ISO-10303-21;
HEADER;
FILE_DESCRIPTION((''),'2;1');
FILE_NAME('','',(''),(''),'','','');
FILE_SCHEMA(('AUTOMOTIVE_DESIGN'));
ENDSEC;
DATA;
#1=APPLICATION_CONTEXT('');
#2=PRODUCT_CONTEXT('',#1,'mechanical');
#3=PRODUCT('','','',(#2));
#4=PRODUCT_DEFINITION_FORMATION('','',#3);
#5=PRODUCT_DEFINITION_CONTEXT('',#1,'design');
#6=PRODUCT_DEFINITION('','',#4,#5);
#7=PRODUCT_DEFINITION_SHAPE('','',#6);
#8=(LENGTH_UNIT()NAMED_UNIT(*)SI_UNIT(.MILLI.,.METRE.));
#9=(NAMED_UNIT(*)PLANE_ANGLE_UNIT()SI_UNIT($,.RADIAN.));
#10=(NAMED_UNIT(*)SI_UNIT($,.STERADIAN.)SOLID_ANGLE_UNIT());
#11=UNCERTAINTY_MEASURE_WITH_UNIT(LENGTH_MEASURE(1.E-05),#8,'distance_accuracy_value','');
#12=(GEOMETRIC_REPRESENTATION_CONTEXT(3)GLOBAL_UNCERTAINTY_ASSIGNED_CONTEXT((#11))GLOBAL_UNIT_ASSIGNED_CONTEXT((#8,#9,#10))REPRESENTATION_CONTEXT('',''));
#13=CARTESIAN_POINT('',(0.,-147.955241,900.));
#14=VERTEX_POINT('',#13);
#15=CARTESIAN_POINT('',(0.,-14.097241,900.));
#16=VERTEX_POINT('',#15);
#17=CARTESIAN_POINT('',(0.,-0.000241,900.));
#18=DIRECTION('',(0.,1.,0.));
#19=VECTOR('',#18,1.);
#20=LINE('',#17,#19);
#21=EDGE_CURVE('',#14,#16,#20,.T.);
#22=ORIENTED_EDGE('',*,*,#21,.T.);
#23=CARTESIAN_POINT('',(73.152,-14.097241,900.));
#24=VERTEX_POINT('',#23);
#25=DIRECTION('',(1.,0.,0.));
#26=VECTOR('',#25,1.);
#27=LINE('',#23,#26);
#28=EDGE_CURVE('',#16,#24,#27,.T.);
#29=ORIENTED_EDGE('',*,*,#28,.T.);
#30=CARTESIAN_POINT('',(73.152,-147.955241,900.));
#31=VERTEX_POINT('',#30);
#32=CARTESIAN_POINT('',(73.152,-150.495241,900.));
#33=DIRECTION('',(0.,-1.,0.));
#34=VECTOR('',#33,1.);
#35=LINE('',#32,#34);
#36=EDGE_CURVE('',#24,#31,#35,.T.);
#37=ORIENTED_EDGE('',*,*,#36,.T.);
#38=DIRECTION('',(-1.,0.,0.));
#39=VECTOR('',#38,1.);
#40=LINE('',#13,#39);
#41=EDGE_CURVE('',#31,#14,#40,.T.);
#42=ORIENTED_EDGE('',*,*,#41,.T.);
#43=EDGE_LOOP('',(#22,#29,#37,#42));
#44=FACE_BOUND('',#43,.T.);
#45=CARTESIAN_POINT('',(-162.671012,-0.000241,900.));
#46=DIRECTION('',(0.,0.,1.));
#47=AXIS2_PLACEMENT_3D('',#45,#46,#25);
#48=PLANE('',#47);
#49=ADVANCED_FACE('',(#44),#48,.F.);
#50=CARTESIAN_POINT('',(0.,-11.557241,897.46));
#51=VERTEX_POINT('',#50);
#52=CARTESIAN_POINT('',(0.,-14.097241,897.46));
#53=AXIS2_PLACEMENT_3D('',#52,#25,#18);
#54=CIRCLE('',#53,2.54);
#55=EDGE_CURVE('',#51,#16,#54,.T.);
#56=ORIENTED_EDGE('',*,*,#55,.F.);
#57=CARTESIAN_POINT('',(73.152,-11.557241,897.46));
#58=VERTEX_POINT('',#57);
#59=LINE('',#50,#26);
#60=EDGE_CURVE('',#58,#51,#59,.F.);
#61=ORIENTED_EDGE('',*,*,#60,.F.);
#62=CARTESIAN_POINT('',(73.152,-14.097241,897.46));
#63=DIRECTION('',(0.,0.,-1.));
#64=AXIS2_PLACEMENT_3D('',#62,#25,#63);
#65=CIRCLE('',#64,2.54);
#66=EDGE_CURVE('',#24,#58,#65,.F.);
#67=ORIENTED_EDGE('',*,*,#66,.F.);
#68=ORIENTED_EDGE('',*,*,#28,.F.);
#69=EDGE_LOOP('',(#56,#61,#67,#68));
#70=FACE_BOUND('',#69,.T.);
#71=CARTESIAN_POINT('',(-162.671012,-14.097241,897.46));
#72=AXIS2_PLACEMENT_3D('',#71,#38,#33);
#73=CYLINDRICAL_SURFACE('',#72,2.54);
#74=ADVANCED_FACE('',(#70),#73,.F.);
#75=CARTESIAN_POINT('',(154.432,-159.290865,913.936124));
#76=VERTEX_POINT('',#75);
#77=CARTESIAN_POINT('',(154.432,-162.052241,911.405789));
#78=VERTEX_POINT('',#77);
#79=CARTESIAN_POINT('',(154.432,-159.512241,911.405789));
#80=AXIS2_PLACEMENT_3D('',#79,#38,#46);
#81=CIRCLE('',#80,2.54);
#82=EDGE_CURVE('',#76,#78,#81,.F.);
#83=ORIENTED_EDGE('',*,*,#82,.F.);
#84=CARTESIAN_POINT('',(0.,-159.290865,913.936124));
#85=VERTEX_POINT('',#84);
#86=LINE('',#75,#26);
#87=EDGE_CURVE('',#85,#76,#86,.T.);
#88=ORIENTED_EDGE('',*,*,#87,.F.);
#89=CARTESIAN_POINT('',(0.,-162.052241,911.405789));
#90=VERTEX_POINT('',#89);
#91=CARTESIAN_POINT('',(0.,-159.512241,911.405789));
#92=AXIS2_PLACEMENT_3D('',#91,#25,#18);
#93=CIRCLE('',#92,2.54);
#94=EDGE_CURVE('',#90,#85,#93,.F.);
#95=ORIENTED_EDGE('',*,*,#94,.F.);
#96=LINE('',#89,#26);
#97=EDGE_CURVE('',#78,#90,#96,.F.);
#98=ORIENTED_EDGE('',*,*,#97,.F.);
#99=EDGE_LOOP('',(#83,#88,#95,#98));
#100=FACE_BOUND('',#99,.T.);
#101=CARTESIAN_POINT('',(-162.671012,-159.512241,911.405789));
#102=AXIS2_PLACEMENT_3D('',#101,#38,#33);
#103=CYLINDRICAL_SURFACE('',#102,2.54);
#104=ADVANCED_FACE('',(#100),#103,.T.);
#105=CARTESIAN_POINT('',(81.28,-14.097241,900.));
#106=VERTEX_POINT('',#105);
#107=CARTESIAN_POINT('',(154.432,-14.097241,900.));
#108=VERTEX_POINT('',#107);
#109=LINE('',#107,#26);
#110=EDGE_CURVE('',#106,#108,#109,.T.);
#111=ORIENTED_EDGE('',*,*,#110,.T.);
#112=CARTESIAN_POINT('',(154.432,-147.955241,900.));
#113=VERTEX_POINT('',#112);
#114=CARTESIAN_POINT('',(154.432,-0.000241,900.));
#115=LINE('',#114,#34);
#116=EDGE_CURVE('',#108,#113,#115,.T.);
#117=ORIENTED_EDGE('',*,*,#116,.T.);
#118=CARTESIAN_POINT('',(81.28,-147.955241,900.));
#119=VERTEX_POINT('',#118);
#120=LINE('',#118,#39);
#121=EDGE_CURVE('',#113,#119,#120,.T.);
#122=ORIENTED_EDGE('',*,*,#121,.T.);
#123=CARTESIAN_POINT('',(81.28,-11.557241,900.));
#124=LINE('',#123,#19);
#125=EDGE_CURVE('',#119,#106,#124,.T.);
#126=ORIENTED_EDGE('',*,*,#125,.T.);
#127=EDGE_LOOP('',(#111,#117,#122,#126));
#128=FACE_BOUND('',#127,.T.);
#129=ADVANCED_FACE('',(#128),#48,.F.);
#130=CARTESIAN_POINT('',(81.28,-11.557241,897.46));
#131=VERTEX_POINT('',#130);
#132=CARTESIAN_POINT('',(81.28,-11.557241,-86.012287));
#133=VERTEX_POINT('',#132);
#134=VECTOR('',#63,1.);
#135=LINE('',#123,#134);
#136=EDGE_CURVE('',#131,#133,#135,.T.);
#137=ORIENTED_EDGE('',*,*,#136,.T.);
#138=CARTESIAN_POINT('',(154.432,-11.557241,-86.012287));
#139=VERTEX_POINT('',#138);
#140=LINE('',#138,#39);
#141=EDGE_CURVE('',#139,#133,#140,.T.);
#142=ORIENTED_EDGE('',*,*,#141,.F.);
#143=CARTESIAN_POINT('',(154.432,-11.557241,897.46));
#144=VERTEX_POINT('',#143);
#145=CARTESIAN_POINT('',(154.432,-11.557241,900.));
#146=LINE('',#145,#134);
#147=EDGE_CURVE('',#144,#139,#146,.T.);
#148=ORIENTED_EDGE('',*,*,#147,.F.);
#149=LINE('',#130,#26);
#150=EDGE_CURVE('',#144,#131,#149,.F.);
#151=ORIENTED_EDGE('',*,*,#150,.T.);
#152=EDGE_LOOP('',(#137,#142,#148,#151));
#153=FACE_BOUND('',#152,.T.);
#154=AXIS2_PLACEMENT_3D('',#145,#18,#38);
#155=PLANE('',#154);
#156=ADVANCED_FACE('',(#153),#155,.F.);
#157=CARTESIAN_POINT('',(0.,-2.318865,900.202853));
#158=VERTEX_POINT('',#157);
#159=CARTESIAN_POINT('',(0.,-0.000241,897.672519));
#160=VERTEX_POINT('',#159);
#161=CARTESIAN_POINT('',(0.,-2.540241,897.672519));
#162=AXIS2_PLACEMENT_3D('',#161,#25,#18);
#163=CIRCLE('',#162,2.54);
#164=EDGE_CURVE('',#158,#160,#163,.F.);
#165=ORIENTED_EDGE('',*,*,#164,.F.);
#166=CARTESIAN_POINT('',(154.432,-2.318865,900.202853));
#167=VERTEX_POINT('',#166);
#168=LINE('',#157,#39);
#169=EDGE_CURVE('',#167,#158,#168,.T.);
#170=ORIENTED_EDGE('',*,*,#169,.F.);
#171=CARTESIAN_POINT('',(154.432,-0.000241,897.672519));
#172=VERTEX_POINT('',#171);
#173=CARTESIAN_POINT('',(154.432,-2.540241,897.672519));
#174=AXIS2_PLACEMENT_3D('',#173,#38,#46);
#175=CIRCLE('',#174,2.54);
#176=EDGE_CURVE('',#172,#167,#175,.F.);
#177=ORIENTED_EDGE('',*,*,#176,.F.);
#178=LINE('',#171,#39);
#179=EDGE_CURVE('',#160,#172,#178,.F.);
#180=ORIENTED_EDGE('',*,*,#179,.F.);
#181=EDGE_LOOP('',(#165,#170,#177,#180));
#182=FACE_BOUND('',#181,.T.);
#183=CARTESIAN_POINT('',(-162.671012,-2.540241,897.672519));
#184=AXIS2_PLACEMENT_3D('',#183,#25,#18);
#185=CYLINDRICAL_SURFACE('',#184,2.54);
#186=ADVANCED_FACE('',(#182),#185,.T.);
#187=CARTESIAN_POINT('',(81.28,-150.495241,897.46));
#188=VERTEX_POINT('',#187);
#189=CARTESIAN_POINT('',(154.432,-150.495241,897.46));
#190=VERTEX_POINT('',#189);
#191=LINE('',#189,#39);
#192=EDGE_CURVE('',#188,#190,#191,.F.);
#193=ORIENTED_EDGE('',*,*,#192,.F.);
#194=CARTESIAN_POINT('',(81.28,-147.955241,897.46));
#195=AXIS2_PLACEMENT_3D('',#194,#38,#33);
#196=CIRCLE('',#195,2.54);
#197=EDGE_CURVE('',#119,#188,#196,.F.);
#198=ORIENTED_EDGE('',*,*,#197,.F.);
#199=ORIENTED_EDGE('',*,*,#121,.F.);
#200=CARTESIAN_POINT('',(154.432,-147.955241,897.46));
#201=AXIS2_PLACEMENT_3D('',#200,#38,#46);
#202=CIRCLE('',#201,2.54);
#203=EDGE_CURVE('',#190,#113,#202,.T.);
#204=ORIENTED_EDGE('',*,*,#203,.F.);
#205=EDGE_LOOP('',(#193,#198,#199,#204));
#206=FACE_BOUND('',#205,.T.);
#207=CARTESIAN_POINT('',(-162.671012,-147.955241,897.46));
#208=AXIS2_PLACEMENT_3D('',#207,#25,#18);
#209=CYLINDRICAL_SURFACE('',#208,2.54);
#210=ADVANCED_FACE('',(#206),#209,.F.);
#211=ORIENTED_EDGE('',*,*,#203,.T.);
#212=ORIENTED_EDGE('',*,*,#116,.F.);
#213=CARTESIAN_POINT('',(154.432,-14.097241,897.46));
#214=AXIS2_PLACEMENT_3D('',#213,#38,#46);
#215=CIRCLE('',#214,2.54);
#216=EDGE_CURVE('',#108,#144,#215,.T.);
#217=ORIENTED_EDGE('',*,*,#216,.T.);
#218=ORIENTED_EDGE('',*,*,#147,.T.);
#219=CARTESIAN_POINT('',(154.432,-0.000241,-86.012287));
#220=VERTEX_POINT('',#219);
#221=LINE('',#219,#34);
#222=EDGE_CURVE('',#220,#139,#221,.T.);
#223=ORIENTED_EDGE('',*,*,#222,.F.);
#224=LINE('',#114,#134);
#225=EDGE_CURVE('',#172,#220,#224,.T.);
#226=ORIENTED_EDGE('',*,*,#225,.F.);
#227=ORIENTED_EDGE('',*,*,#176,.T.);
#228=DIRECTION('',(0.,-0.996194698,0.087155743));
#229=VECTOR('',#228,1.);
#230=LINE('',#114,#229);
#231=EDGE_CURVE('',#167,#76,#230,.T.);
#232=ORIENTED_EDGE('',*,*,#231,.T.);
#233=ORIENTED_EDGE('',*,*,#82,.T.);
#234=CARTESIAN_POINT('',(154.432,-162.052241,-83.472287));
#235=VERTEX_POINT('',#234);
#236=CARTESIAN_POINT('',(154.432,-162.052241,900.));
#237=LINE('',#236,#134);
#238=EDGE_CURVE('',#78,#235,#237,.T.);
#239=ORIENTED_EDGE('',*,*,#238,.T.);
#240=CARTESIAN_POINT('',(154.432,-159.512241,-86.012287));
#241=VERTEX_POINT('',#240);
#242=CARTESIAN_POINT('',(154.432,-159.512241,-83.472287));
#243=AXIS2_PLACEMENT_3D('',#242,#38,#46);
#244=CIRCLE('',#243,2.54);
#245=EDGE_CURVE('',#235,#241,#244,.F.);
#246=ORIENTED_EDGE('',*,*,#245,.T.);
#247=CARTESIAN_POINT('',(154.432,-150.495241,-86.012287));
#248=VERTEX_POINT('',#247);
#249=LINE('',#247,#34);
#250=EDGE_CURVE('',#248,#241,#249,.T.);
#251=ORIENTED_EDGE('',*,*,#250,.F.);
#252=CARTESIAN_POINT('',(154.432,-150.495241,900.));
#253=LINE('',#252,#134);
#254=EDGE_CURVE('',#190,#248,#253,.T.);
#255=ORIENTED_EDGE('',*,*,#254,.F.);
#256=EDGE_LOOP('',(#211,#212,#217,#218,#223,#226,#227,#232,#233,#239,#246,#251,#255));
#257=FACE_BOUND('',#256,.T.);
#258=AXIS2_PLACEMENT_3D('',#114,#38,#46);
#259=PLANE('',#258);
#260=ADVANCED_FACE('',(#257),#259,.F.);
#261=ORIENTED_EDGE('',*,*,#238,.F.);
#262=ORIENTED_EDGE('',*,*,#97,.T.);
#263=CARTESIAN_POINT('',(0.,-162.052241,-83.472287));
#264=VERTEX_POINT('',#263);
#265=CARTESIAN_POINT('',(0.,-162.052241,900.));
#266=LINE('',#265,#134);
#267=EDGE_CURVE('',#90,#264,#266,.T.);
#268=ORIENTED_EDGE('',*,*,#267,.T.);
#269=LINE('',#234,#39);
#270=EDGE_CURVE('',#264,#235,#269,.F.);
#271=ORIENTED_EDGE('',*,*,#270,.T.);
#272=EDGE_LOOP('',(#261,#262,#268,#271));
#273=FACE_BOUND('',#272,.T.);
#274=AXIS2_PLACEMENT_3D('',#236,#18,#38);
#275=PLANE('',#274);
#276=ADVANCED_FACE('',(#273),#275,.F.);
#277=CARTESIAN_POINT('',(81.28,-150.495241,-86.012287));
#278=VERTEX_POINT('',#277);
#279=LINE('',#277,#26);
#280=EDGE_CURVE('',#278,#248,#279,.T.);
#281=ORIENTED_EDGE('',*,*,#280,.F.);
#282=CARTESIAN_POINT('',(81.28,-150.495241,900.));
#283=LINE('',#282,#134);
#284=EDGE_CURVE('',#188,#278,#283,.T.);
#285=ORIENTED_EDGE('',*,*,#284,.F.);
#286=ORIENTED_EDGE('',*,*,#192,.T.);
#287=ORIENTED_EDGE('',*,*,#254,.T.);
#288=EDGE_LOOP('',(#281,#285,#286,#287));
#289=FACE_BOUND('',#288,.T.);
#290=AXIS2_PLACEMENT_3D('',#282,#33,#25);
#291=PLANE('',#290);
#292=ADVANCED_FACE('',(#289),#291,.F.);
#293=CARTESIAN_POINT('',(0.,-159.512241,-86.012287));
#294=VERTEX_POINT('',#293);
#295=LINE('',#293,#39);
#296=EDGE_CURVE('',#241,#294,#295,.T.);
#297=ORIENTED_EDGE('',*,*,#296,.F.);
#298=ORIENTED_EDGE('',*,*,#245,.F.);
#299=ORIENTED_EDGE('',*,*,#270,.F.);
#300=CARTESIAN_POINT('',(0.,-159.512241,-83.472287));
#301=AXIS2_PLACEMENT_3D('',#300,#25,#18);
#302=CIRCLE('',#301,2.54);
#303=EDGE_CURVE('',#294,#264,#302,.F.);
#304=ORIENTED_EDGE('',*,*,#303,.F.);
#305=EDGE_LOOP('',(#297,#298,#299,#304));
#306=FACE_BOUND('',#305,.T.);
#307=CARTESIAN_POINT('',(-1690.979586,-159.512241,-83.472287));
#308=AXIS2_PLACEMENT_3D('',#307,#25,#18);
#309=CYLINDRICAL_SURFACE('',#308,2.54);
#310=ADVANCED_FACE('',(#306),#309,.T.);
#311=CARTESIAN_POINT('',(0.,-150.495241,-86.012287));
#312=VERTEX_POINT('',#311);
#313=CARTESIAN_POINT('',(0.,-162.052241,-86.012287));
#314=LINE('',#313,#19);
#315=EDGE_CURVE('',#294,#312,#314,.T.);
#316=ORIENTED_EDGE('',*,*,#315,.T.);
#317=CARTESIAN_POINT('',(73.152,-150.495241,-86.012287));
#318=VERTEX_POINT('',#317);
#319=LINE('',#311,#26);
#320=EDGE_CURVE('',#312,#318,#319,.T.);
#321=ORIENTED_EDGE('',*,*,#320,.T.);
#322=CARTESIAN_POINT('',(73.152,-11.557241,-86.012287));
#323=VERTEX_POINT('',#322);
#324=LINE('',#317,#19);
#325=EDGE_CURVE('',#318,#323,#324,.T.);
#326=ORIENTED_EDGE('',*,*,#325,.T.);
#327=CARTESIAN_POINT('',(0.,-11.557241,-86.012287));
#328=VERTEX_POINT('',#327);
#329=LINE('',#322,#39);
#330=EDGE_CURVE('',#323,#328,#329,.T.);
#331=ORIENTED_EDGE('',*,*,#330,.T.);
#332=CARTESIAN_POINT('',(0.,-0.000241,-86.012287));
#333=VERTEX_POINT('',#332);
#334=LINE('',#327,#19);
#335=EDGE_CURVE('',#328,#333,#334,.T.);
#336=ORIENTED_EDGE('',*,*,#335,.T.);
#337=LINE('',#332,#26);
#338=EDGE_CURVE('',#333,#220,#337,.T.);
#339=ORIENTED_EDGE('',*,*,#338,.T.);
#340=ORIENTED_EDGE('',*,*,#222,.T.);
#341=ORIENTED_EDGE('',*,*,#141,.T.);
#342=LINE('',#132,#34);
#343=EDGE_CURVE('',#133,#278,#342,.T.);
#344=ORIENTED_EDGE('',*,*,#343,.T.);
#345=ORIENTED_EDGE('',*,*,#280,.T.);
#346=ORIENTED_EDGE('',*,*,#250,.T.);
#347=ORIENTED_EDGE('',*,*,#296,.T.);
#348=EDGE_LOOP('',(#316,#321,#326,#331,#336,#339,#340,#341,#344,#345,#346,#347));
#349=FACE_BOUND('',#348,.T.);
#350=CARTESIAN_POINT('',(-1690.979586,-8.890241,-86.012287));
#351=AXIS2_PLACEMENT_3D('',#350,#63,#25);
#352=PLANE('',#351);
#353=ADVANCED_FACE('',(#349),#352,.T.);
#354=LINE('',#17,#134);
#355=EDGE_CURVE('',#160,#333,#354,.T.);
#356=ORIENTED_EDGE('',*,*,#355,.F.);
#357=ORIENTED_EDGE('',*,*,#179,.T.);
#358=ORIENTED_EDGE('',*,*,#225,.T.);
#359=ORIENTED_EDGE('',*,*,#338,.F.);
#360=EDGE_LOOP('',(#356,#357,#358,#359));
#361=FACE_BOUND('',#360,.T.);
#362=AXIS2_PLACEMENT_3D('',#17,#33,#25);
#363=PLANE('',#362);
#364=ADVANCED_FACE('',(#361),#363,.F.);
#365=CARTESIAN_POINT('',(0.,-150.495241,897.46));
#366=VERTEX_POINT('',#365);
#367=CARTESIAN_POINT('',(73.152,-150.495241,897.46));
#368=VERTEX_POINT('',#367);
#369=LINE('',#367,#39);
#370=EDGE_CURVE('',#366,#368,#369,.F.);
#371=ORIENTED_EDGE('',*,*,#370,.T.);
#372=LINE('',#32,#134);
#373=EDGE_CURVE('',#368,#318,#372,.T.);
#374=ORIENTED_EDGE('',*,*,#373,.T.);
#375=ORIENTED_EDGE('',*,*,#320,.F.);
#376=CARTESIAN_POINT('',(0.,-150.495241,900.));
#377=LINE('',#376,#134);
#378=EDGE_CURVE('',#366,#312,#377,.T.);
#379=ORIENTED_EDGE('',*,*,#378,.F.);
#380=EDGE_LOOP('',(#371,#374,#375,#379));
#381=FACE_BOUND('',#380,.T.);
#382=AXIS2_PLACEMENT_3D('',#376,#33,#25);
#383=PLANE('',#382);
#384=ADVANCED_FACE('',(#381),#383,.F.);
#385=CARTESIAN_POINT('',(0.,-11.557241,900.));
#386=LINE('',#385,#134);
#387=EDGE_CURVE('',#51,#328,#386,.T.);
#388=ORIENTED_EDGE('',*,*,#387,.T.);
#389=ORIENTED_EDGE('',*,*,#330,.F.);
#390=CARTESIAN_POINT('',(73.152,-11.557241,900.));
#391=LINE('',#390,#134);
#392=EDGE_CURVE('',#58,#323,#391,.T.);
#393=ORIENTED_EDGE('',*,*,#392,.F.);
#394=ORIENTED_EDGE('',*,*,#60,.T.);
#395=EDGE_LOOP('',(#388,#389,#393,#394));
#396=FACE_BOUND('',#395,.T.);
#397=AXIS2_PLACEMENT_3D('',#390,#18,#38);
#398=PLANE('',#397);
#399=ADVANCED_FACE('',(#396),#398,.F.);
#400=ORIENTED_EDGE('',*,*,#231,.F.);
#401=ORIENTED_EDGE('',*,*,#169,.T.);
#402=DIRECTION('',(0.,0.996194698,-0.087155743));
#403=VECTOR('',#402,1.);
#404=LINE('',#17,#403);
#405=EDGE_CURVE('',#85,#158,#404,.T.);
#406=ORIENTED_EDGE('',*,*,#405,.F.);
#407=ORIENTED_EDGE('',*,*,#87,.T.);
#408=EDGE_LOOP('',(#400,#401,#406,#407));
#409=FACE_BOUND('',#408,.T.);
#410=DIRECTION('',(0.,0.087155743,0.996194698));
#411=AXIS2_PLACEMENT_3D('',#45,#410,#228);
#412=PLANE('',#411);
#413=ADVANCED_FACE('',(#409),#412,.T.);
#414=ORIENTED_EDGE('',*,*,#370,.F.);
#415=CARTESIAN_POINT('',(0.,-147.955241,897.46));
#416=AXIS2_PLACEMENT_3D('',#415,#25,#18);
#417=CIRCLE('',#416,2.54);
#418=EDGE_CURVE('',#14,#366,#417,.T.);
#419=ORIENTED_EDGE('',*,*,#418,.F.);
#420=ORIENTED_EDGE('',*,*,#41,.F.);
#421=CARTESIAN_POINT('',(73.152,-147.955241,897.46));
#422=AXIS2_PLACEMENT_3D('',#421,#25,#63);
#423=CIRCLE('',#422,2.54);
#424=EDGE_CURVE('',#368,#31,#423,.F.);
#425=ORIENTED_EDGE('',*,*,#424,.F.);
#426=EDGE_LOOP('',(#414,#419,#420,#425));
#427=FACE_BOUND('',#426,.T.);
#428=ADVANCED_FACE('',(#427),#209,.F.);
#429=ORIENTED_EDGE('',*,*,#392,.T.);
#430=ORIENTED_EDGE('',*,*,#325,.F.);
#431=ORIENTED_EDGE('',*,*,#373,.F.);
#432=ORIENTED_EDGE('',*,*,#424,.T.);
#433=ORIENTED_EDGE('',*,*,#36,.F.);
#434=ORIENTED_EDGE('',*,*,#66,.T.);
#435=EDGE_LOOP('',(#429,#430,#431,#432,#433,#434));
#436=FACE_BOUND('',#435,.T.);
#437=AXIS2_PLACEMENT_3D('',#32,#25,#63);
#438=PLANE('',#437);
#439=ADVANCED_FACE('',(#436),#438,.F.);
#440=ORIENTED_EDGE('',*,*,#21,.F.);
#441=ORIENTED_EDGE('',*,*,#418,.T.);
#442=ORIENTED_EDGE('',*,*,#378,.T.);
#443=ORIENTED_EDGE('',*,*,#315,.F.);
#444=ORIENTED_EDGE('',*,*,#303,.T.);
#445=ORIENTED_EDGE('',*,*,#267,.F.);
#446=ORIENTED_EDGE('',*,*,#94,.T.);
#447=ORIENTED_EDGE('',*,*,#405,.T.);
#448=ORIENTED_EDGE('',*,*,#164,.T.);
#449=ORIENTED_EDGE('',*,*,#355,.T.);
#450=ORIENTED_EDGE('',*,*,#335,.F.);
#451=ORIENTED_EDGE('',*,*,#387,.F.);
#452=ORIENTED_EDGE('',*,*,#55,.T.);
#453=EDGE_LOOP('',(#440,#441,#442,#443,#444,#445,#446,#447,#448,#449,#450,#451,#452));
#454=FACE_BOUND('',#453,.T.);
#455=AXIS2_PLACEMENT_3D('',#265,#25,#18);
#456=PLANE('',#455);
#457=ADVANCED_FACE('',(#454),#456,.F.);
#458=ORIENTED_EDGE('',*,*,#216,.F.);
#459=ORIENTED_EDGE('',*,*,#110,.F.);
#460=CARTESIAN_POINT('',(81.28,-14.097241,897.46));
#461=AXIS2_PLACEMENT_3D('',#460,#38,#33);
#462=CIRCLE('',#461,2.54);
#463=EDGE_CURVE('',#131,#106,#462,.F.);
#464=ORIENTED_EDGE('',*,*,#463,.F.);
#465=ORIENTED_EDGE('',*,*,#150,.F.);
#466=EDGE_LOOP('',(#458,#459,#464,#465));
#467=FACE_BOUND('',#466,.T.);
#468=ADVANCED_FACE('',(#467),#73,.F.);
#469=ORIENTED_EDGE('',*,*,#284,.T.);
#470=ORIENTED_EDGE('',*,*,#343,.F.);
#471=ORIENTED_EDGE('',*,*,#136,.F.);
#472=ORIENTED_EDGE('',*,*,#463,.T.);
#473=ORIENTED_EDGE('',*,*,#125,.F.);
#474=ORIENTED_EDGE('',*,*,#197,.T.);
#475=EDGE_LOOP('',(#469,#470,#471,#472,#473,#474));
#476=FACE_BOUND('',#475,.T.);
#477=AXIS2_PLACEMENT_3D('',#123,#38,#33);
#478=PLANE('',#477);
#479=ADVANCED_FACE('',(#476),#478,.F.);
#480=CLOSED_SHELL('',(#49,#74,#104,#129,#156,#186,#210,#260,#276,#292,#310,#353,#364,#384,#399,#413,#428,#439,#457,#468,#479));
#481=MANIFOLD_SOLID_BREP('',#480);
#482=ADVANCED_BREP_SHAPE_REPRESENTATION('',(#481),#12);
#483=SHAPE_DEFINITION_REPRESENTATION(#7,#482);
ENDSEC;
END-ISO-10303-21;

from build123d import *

# Parameters (mm, degrees)
BOSS_EXTRUDE1_DEPTH = 900
BOSS_EXTRUDE7_DEPTH = 154.432
BOSS_EXTRUDE9_DEPTH = 86.012287
FILLET1_R           = 2.54
FILLET2_R           = 2.54


with BuildPart() as part:
    # Sketch1 → Boss-Extrude1 (new body)
    with BuildSketch(Plane.XY):
        Polygon((0, -0.000240533), (154.432, -0.000240533), (154.432, -11.557240533), (81.28, -11.557240533), (81.28, -150.495240533), (154.432, -150.495240533), (154.432, -162.052240533), (0, -162.052240533), (0, -150.495240533), (73.152, -150.495240533), (73.152, -11.557240533), (0, -11.557240533), align=None)
    extrude(amount=BOSS_EXTRUDE1_DEPTH)

    # Sketch4 → Boss-Extrude7 (add)
    with BuildSketch(Plane(origin=(154.432, 0, 0), x_dir=(0, 0, -1), z_dir=(1, 0, 0))):
        Polygon((-900, -0.000240533), (-914.177712902, -162.052240533), (-900, -162.052240533), align=None)
    extrude(amount=-BOSS_EXTRUDE7_DEPTH)

    # Sketch6 → Boss-Extrude9 (add)
    with BuildSketch(Plane(origin=(0, 0, 0), x_dir=(-1, 0, 0), z_dir=(0, 0, -1))):
        Polygon((0, -11.557240533), (0, -0.000240533), (-154.432, -0.000240533), (-154.432, -11.557240533), (-81.28, -11.557240533), (-81.28, -150.495240533), (-154.432, -150.495240533), (-154.432, -162.052240533), (0, -162.052240533), (0, -150.495240533), (-73.152, -150.495240533), (-73.152, -11.557240533), align=None)
    extrude(amount=BOSS_EXTRUDE9_DEPTH)

    # Fillet1
    fillet1_edges = [part.edges().sort_by_distance(p)[0] for p in [
        (36.576, -150.495240533, 900),
        (117.856, -150.495240533, 900),
        (117.856, -11.557240533, 900),
        (77.216, -162.052240533, 914.177712902),
        (77.216, -0.000240533, 900),
        (36.576, -11.557240533, 900),
    ]]
    fillet(fillet1_edges, radius=FILLET1_R)

    # Fillet2
    fillet2_edges = [part.edges().sort_by_distance(p)[0] for p in [
        (77.216, -162.052240533, -86.012287),
    ]]
    fillet(fillet2_edges, radius=FILLET2_R)


solid = part.part
